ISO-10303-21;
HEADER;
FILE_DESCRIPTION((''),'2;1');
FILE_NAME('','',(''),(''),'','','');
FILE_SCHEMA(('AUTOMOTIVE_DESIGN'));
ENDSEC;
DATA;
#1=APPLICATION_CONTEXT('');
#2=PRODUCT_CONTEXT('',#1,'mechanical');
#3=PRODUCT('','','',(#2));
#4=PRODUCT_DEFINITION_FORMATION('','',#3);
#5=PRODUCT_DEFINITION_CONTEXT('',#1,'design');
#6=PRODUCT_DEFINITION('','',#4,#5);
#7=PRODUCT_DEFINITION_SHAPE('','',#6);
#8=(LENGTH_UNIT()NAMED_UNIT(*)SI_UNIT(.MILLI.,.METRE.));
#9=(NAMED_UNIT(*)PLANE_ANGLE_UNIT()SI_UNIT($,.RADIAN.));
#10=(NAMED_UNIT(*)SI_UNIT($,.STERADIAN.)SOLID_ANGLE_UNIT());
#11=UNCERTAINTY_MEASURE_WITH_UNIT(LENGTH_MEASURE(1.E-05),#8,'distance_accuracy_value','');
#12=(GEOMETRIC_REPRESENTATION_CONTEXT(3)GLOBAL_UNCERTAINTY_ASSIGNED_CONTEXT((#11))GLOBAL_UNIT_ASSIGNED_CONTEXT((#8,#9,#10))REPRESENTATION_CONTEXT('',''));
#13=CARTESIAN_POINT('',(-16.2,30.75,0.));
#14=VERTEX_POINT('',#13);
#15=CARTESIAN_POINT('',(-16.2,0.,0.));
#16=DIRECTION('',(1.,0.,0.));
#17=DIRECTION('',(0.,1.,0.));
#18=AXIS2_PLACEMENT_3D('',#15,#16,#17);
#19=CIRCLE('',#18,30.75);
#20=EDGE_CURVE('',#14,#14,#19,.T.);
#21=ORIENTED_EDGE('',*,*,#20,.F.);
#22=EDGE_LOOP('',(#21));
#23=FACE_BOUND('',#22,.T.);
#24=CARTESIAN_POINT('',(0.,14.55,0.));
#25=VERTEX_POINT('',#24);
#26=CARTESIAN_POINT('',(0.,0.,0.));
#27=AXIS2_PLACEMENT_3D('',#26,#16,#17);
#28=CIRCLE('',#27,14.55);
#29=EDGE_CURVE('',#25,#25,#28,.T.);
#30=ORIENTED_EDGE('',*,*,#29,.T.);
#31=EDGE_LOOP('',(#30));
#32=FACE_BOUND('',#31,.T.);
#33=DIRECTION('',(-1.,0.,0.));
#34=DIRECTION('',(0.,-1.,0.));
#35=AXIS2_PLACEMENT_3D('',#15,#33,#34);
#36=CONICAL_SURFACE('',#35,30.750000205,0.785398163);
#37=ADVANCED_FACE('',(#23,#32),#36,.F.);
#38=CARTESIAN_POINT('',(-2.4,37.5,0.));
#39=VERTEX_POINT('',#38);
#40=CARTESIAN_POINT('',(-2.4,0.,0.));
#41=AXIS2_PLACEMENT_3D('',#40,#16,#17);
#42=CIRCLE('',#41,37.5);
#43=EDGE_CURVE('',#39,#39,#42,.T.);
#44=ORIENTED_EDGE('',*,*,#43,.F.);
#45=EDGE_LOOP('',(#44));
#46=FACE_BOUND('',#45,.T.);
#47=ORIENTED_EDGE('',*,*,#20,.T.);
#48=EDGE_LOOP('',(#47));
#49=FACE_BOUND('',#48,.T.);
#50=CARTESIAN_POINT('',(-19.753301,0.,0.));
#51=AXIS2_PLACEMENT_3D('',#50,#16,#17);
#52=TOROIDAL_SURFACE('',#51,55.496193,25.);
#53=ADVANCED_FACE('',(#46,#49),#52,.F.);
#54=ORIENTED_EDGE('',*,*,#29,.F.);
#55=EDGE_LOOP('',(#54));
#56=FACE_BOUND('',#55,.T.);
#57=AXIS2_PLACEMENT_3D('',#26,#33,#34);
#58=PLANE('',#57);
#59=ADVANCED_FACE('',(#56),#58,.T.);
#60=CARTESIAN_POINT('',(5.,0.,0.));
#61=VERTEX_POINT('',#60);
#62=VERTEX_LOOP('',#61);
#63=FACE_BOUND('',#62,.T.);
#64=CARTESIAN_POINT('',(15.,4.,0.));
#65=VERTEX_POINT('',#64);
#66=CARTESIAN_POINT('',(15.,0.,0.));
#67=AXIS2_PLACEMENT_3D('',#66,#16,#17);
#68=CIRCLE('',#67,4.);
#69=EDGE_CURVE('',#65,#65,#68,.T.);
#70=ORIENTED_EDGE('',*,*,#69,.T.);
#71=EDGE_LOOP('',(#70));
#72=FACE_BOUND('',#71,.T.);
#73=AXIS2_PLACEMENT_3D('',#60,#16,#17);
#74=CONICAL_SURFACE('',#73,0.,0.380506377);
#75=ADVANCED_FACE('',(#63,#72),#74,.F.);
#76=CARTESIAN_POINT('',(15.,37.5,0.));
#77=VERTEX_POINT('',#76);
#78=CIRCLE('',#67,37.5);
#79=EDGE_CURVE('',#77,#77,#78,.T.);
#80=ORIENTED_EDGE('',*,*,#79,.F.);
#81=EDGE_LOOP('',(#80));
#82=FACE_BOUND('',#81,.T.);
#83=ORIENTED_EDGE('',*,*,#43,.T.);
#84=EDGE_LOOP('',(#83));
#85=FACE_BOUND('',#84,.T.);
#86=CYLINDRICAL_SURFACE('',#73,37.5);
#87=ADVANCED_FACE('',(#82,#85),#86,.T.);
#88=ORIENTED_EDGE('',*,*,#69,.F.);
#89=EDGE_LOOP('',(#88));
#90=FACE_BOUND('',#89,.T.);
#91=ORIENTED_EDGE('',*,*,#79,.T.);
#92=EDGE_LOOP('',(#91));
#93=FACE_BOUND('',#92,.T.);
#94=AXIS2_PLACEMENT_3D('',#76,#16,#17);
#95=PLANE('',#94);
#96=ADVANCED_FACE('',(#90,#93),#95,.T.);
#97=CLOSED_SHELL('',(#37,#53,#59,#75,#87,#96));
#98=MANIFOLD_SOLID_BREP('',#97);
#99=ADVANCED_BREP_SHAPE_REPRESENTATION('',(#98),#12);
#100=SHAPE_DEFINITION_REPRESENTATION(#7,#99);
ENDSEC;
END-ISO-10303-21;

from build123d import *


with BuildPart() as part:
    # Sketch2 → Revolve1 (revolve)
    with BuildSketch(Plane.XY):
        with BuildLine():
            Line((0, 0), (0, 14.55))
            Line((0, 14.55), (-16.200000205, 30.750000205))
            ThreePointArc((-16.200000205, 30.750000205), (-8.768669823, 33.038724621), (-2.400000205, 37.5))
            Line((-2.400000205, 37.5), (15, 37.5))
            Line((15, 37.5), (15, 4))
            Line((15, 4), (5, 0))
            Line((5, 0), (0, 0))
        make_face()
    revolve(axis=Axis((5, 0, 0), (-1, 0, 0)))


solid = part.part
